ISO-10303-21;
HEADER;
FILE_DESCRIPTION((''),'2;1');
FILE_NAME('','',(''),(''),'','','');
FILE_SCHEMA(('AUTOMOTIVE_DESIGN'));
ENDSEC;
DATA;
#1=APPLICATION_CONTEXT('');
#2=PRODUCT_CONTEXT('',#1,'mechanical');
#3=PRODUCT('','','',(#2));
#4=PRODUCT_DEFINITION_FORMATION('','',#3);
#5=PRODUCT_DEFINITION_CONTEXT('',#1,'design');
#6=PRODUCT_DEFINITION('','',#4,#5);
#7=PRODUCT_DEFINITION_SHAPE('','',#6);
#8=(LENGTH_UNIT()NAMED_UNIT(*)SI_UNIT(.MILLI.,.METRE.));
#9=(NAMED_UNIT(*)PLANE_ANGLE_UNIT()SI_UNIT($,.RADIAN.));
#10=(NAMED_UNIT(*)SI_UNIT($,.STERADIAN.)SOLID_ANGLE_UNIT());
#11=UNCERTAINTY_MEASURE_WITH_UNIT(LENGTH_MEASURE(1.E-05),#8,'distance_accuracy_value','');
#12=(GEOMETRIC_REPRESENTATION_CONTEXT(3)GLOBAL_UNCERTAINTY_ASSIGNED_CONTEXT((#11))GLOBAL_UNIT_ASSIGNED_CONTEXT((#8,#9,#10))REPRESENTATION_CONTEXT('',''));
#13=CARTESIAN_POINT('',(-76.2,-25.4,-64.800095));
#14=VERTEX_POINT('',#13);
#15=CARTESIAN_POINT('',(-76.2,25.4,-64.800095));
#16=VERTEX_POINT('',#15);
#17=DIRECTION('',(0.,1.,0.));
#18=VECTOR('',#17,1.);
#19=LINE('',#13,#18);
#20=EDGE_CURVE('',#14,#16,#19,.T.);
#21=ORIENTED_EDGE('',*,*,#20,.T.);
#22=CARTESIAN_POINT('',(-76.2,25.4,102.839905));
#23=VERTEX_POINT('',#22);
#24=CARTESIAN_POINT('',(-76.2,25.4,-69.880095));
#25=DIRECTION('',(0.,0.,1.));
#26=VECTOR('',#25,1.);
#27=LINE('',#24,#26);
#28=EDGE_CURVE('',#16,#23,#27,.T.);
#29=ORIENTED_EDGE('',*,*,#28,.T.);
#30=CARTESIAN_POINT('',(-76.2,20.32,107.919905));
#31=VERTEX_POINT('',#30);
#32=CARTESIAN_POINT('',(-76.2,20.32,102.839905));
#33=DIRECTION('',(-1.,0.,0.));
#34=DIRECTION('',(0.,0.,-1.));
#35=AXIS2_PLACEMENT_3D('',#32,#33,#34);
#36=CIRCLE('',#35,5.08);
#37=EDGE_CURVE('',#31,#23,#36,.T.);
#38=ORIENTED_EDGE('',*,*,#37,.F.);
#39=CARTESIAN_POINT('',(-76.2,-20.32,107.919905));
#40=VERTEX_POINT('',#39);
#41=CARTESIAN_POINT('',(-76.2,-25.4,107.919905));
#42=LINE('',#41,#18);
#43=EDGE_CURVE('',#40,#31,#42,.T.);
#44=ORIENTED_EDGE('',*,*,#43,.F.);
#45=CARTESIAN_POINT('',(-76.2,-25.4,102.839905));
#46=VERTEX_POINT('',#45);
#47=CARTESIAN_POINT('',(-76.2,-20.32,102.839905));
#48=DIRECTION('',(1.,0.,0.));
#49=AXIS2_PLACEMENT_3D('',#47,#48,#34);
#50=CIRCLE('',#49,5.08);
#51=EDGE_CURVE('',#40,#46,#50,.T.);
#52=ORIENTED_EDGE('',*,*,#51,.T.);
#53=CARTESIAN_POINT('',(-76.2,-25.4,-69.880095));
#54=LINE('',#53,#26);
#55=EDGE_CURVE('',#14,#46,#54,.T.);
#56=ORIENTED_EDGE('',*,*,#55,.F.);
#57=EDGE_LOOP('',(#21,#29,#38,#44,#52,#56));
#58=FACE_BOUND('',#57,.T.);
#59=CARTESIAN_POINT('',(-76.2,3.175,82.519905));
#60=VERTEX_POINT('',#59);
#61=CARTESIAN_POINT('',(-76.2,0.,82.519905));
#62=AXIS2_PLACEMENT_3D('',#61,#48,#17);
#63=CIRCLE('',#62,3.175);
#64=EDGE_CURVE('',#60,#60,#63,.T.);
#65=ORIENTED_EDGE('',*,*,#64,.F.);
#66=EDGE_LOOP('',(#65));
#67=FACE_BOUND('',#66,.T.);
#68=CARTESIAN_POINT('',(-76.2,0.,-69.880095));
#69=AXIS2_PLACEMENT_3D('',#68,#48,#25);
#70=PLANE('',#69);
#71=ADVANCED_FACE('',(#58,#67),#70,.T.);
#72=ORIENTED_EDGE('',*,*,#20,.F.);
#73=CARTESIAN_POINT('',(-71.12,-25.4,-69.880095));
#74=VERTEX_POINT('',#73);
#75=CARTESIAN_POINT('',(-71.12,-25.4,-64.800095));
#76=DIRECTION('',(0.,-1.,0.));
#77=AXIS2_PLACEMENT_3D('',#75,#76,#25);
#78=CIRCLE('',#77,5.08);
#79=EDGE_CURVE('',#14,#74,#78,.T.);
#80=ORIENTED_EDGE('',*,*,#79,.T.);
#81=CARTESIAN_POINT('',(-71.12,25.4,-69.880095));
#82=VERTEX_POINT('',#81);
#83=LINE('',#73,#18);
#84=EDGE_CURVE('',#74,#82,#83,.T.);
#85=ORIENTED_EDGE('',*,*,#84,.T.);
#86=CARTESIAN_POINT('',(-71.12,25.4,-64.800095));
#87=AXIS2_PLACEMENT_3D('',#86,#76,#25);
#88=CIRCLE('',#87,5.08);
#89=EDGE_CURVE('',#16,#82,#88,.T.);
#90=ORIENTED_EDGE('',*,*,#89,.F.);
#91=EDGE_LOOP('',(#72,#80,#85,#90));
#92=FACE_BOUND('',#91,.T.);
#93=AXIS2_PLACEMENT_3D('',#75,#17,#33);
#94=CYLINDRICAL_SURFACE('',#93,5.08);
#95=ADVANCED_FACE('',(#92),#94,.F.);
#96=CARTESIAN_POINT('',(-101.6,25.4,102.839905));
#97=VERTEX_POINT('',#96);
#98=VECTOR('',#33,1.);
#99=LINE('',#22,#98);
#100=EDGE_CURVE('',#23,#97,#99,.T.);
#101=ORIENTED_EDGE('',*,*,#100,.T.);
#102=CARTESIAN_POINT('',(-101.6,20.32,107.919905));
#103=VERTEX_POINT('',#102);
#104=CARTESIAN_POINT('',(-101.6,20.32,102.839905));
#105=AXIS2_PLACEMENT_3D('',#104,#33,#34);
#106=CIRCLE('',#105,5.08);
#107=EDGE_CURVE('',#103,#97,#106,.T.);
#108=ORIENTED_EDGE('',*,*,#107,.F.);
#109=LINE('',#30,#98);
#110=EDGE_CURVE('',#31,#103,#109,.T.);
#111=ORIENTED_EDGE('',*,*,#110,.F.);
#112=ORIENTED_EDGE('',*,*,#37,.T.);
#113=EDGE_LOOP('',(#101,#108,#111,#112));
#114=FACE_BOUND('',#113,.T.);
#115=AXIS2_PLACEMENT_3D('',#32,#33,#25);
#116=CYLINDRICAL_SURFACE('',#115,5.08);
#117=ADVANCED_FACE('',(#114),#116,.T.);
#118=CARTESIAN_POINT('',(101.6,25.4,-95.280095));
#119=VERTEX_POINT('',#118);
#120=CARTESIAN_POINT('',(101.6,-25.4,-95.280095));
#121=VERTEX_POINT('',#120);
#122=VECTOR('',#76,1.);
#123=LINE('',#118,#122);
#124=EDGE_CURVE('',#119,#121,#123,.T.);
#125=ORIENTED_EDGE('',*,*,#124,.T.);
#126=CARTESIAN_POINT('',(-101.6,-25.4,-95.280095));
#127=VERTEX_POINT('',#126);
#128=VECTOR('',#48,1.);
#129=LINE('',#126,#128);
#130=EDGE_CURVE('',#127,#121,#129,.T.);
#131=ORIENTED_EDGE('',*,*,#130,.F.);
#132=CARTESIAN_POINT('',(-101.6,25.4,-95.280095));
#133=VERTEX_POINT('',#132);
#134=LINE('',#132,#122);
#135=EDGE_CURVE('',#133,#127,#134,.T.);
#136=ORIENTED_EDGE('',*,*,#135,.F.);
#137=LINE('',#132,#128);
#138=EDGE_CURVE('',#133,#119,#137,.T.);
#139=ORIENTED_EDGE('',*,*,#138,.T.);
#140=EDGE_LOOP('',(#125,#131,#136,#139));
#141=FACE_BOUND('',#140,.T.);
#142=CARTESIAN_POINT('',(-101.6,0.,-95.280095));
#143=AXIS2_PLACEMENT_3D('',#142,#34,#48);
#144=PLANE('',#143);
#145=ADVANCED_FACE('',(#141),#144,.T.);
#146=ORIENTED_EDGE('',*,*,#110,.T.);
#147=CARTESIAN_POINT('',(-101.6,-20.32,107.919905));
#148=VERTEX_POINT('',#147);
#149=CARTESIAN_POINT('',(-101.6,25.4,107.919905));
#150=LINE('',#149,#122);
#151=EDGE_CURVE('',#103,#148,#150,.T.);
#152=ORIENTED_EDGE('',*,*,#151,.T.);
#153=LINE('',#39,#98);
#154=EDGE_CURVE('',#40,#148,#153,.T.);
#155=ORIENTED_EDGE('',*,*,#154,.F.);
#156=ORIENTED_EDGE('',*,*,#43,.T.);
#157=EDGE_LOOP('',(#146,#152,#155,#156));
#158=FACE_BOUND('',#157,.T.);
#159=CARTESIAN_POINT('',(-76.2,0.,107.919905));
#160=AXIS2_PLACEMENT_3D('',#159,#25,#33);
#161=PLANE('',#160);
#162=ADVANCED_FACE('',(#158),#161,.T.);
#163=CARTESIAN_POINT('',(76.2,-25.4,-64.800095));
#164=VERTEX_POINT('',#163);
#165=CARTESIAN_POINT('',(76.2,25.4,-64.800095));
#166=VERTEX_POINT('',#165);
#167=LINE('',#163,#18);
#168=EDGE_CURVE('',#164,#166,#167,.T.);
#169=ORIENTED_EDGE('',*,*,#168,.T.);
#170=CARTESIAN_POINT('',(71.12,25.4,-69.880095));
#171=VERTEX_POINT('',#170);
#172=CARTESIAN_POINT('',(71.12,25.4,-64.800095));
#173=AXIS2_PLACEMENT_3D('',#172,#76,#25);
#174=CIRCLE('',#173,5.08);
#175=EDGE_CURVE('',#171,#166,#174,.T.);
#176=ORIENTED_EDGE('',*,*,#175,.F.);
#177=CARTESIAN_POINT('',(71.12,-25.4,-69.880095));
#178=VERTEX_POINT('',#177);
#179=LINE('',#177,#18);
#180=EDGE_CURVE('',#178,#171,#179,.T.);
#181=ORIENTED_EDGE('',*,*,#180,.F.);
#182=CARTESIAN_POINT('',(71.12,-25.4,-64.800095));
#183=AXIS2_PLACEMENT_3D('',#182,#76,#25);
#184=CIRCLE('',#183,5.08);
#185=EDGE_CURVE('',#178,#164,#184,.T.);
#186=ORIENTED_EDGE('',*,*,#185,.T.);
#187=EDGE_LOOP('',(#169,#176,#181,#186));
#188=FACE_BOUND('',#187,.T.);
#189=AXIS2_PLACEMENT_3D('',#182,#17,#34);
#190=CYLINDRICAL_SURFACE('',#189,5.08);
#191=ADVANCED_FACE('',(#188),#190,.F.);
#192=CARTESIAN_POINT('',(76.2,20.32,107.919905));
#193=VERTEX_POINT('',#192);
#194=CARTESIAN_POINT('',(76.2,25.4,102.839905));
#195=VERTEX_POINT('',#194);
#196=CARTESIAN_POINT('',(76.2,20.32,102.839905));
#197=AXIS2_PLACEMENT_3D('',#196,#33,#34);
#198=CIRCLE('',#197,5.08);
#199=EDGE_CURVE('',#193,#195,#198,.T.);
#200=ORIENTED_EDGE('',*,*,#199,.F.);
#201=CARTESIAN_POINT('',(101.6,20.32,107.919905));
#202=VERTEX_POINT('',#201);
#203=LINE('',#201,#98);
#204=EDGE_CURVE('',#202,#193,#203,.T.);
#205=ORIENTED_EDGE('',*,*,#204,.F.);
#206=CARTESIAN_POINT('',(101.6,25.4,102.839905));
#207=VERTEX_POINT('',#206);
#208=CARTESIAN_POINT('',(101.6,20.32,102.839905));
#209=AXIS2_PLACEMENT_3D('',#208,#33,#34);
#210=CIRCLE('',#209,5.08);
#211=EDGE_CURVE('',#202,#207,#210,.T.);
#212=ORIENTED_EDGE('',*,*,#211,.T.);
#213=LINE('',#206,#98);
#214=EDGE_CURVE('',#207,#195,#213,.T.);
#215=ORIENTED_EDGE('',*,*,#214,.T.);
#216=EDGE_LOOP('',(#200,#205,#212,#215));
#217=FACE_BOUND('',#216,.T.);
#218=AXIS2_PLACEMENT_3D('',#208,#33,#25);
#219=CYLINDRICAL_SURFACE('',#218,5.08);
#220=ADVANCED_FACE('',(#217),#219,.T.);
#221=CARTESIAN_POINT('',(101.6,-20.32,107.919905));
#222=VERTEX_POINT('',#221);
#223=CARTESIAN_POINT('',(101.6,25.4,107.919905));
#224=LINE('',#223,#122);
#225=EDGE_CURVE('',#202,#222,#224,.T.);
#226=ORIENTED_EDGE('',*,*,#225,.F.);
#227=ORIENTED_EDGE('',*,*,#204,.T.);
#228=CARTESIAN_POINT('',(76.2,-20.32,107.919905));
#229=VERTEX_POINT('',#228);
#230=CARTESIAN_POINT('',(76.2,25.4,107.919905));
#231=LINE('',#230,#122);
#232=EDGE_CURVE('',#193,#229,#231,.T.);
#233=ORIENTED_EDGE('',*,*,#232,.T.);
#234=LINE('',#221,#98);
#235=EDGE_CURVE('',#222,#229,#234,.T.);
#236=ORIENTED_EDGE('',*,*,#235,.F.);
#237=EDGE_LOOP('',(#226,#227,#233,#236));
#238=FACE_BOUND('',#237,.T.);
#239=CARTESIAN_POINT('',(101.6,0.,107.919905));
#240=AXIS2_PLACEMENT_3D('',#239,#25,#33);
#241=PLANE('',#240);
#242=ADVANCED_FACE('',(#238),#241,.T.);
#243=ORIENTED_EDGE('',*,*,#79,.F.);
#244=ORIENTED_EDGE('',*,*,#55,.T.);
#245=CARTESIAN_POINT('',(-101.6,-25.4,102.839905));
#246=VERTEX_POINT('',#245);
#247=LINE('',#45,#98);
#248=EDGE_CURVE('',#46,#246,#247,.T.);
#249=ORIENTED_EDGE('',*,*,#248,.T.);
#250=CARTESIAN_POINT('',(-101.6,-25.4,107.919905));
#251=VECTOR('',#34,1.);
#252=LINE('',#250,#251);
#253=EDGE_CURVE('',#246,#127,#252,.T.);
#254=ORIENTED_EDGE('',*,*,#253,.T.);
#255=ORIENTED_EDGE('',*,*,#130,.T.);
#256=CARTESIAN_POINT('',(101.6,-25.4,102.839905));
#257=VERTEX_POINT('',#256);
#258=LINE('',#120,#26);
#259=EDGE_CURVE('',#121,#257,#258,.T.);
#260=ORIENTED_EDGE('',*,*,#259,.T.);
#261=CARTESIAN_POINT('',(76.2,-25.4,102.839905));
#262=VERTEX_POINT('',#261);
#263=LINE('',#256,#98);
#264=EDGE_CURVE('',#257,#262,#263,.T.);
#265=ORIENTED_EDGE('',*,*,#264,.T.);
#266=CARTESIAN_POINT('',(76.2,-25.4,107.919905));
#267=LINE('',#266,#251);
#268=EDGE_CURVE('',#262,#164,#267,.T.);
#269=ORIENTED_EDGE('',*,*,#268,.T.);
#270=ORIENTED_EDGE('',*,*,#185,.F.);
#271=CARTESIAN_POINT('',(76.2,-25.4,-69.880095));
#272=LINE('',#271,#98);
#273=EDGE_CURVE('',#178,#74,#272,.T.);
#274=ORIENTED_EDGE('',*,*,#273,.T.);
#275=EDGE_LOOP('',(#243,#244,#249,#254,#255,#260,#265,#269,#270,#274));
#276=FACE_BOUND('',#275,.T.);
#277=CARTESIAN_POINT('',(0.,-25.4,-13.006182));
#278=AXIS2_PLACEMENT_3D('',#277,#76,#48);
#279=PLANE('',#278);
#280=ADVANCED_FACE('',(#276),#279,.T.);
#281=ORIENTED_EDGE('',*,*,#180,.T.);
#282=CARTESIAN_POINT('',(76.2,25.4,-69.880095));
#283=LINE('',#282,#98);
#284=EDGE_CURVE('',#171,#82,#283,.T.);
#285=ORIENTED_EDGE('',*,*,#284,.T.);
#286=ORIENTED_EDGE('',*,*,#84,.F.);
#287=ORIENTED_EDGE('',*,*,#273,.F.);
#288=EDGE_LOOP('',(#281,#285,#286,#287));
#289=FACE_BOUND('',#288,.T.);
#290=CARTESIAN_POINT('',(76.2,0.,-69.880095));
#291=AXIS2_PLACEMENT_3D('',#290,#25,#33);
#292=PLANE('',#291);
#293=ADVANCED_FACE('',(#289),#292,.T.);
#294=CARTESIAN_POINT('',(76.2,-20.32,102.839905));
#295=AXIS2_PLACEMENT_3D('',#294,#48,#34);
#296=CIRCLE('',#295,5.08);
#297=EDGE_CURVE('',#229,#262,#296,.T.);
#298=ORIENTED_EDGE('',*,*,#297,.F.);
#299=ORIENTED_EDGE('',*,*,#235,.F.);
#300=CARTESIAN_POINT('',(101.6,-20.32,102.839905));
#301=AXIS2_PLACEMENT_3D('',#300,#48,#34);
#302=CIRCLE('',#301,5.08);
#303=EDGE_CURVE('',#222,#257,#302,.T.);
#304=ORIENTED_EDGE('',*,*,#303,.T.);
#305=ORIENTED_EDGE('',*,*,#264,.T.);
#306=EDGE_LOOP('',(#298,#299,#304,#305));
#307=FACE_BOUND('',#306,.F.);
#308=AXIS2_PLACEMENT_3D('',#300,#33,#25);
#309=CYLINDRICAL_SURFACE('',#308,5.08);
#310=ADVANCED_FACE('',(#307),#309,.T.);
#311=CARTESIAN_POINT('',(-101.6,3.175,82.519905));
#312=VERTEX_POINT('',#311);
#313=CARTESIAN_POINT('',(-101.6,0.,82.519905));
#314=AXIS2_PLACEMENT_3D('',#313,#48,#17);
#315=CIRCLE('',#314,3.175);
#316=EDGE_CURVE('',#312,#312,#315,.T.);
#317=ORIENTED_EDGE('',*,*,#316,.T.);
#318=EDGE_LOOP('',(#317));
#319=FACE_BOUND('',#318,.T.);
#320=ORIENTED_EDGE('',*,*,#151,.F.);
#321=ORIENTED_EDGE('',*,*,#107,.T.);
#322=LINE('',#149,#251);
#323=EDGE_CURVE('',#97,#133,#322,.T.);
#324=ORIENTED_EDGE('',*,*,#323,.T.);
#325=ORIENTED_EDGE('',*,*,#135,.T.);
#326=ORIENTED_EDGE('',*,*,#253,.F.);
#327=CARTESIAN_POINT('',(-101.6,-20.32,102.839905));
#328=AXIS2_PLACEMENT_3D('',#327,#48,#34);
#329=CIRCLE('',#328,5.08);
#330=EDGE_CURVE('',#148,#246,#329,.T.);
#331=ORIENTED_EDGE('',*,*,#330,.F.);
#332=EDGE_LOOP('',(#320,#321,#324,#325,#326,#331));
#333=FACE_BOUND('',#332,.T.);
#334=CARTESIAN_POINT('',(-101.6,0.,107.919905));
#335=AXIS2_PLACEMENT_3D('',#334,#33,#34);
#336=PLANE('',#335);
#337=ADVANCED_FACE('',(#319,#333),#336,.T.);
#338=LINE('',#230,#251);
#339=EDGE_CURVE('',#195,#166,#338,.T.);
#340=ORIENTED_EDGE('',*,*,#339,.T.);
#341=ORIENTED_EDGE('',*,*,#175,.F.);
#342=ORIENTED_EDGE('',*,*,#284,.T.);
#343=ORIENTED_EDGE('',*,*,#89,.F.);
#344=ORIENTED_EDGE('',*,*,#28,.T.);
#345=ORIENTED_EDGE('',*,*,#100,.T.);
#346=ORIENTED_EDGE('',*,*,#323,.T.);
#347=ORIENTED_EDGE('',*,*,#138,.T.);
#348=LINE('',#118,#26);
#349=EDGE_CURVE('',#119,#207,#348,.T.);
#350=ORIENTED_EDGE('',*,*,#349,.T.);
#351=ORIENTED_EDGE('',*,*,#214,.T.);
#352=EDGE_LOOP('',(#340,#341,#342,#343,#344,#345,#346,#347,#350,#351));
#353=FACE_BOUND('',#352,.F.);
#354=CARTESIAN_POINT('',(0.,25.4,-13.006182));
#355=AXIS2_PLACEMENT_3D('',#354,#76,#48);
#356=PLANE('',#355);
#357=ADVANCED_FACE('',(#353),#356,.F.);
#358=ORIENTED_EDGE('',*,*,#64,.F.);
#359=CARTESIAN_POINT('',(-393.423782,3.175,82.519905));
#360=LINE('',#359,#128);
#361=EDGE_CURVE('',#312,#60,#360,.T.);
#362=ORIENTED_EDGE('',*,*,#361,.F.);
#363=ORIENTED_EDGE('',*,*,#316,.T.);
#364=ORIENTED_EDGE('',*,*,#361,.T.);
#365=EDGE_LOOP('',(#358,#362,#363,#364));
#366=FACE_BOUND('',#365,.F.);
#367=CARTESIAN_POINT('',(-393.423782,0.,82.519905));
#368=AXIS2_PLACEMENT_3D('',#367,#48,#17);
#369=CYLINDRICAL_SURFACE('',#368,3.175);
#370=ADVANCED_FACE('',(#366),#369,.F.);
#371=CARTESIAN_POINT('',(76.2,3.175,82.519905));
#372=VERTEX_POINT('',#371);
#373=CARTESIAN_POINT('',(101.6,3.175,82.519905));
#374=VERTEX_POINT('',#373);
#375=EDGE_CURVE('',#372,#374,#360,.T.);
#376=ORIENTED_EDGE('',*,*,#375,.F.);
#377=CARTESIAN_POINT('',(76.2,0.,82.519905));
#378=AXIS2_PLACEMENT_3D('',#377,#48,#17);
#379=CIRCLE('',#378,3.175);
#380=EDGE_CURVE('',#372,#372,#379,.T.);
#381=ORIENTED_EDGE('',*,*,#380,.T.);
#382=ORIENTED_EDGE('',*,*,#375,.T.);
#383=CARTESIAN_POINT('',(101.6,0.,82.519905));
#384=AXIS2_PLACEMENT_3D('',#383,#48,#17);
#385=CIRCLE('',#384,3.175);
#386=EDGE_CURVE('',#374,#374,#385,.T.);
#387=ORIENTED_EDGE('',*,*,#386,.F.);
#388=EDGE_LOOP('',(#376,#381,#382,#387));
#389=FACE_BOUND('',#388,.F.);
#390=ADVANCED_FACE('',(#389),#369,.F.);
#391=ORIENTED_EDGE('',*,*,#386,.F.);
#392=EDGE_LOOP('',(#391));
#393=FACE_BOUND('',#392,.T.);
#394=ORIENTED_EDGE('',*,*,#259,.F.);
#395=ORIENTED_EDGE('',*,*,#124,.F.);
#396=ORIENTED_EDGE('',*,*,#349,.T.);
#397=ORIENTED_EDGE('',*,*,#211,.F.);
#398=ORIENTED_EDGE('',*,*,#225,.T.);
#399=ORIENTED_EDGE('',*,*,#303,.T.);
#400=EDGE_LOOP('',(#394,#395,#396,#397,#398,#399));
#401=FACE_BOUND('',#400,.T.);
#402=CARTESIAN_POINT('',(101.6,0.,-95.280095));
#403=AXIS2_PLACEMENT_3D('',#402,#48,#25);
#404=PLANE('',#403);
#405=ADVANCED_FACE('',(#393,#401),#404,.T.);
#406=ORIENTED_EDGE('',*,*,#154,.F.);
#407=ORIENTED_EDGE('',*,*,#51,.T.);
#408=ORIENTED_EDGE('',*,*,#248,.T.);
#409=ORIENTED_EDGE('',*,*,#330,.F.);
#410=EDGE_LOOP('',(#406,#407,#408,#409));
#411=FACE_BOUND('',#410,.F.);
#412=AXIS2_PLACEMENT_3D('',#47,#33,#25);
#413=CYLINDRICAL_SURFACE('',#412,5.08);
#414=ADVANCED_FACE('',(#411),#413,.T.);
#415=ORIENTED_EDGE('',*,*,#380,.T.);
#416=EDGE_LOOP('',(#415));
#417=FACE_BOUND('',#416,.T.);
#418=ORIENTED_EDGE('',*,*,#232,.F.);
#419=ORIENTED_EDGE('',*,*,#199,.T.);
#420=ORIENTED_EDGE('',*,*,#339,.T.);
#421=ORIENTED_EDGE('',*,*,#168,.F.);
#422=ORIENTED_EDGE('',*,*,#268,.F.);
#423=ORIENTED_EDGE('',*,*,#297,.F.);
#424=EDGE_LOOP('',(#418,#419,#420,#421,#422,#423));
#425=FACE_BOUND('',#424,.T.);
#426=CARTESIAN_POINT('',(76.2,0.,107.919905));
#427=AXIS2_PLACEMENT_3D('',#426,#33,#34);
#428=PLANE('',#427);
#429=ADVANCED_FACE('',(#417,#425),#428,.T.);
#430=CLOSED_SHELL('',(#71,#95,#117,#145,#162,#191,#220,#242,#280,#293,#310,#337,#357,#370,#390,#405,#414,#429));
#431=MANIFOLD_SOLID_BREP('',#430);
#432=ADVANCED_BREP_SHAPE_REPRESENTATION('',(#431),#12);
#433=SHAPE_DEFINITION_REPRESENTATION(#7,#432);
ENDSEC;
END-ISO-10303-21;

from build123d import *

# Parameters (mm, degrees)
F1_DEPTH      = 25.4
F1_DEPTH_BACK = 25.4
F2_R          = 5.08
F4_D          = 6.35


with BuildPart() as f1:
    # F0 (on Front) → F1 (new body, two sides)
    with BuildSketch(Plane.XZ) as f1_sk:
        Polygon((-76.2, 107.919905), (-101.6, 107.919905), (-101.6, -95.280095), (101.6, -95.280095), (101.6, 107.919905), (76.2, 107.919905), (76.2, -69.880095), (-76.2, -69.880095), align=None)
    extrude(amount=F1_DEPTH)
    extrude(f1_sk.sketch, amount=-F1_DEPTH_BACK)

    # F2
    f2_edges = [f1.edges().sort_by_distance(p)[0] for p in [
        (-88.9, -25.4, 107.919905),
        (-88.9, 25.4, 107.919905),
        (88.9, -25.4, 107.919905),
        (88.9, 25.4, 107.919905),
        (-76.2, 0, -69.880095),
        (76.2, 0, -69.880095),
    ]]
    fillet(f2_edges, radius=F2_R)

    # F4 (through all)
    with Locations(Plane(origin=(-101.6, 0, 0), x_dir=(0, -1, 0), z_dir=(-1, 0, 0))):
        with Locations((0, 82.519905)):
            Hole(F4_D / 2)


solid = f1.part
